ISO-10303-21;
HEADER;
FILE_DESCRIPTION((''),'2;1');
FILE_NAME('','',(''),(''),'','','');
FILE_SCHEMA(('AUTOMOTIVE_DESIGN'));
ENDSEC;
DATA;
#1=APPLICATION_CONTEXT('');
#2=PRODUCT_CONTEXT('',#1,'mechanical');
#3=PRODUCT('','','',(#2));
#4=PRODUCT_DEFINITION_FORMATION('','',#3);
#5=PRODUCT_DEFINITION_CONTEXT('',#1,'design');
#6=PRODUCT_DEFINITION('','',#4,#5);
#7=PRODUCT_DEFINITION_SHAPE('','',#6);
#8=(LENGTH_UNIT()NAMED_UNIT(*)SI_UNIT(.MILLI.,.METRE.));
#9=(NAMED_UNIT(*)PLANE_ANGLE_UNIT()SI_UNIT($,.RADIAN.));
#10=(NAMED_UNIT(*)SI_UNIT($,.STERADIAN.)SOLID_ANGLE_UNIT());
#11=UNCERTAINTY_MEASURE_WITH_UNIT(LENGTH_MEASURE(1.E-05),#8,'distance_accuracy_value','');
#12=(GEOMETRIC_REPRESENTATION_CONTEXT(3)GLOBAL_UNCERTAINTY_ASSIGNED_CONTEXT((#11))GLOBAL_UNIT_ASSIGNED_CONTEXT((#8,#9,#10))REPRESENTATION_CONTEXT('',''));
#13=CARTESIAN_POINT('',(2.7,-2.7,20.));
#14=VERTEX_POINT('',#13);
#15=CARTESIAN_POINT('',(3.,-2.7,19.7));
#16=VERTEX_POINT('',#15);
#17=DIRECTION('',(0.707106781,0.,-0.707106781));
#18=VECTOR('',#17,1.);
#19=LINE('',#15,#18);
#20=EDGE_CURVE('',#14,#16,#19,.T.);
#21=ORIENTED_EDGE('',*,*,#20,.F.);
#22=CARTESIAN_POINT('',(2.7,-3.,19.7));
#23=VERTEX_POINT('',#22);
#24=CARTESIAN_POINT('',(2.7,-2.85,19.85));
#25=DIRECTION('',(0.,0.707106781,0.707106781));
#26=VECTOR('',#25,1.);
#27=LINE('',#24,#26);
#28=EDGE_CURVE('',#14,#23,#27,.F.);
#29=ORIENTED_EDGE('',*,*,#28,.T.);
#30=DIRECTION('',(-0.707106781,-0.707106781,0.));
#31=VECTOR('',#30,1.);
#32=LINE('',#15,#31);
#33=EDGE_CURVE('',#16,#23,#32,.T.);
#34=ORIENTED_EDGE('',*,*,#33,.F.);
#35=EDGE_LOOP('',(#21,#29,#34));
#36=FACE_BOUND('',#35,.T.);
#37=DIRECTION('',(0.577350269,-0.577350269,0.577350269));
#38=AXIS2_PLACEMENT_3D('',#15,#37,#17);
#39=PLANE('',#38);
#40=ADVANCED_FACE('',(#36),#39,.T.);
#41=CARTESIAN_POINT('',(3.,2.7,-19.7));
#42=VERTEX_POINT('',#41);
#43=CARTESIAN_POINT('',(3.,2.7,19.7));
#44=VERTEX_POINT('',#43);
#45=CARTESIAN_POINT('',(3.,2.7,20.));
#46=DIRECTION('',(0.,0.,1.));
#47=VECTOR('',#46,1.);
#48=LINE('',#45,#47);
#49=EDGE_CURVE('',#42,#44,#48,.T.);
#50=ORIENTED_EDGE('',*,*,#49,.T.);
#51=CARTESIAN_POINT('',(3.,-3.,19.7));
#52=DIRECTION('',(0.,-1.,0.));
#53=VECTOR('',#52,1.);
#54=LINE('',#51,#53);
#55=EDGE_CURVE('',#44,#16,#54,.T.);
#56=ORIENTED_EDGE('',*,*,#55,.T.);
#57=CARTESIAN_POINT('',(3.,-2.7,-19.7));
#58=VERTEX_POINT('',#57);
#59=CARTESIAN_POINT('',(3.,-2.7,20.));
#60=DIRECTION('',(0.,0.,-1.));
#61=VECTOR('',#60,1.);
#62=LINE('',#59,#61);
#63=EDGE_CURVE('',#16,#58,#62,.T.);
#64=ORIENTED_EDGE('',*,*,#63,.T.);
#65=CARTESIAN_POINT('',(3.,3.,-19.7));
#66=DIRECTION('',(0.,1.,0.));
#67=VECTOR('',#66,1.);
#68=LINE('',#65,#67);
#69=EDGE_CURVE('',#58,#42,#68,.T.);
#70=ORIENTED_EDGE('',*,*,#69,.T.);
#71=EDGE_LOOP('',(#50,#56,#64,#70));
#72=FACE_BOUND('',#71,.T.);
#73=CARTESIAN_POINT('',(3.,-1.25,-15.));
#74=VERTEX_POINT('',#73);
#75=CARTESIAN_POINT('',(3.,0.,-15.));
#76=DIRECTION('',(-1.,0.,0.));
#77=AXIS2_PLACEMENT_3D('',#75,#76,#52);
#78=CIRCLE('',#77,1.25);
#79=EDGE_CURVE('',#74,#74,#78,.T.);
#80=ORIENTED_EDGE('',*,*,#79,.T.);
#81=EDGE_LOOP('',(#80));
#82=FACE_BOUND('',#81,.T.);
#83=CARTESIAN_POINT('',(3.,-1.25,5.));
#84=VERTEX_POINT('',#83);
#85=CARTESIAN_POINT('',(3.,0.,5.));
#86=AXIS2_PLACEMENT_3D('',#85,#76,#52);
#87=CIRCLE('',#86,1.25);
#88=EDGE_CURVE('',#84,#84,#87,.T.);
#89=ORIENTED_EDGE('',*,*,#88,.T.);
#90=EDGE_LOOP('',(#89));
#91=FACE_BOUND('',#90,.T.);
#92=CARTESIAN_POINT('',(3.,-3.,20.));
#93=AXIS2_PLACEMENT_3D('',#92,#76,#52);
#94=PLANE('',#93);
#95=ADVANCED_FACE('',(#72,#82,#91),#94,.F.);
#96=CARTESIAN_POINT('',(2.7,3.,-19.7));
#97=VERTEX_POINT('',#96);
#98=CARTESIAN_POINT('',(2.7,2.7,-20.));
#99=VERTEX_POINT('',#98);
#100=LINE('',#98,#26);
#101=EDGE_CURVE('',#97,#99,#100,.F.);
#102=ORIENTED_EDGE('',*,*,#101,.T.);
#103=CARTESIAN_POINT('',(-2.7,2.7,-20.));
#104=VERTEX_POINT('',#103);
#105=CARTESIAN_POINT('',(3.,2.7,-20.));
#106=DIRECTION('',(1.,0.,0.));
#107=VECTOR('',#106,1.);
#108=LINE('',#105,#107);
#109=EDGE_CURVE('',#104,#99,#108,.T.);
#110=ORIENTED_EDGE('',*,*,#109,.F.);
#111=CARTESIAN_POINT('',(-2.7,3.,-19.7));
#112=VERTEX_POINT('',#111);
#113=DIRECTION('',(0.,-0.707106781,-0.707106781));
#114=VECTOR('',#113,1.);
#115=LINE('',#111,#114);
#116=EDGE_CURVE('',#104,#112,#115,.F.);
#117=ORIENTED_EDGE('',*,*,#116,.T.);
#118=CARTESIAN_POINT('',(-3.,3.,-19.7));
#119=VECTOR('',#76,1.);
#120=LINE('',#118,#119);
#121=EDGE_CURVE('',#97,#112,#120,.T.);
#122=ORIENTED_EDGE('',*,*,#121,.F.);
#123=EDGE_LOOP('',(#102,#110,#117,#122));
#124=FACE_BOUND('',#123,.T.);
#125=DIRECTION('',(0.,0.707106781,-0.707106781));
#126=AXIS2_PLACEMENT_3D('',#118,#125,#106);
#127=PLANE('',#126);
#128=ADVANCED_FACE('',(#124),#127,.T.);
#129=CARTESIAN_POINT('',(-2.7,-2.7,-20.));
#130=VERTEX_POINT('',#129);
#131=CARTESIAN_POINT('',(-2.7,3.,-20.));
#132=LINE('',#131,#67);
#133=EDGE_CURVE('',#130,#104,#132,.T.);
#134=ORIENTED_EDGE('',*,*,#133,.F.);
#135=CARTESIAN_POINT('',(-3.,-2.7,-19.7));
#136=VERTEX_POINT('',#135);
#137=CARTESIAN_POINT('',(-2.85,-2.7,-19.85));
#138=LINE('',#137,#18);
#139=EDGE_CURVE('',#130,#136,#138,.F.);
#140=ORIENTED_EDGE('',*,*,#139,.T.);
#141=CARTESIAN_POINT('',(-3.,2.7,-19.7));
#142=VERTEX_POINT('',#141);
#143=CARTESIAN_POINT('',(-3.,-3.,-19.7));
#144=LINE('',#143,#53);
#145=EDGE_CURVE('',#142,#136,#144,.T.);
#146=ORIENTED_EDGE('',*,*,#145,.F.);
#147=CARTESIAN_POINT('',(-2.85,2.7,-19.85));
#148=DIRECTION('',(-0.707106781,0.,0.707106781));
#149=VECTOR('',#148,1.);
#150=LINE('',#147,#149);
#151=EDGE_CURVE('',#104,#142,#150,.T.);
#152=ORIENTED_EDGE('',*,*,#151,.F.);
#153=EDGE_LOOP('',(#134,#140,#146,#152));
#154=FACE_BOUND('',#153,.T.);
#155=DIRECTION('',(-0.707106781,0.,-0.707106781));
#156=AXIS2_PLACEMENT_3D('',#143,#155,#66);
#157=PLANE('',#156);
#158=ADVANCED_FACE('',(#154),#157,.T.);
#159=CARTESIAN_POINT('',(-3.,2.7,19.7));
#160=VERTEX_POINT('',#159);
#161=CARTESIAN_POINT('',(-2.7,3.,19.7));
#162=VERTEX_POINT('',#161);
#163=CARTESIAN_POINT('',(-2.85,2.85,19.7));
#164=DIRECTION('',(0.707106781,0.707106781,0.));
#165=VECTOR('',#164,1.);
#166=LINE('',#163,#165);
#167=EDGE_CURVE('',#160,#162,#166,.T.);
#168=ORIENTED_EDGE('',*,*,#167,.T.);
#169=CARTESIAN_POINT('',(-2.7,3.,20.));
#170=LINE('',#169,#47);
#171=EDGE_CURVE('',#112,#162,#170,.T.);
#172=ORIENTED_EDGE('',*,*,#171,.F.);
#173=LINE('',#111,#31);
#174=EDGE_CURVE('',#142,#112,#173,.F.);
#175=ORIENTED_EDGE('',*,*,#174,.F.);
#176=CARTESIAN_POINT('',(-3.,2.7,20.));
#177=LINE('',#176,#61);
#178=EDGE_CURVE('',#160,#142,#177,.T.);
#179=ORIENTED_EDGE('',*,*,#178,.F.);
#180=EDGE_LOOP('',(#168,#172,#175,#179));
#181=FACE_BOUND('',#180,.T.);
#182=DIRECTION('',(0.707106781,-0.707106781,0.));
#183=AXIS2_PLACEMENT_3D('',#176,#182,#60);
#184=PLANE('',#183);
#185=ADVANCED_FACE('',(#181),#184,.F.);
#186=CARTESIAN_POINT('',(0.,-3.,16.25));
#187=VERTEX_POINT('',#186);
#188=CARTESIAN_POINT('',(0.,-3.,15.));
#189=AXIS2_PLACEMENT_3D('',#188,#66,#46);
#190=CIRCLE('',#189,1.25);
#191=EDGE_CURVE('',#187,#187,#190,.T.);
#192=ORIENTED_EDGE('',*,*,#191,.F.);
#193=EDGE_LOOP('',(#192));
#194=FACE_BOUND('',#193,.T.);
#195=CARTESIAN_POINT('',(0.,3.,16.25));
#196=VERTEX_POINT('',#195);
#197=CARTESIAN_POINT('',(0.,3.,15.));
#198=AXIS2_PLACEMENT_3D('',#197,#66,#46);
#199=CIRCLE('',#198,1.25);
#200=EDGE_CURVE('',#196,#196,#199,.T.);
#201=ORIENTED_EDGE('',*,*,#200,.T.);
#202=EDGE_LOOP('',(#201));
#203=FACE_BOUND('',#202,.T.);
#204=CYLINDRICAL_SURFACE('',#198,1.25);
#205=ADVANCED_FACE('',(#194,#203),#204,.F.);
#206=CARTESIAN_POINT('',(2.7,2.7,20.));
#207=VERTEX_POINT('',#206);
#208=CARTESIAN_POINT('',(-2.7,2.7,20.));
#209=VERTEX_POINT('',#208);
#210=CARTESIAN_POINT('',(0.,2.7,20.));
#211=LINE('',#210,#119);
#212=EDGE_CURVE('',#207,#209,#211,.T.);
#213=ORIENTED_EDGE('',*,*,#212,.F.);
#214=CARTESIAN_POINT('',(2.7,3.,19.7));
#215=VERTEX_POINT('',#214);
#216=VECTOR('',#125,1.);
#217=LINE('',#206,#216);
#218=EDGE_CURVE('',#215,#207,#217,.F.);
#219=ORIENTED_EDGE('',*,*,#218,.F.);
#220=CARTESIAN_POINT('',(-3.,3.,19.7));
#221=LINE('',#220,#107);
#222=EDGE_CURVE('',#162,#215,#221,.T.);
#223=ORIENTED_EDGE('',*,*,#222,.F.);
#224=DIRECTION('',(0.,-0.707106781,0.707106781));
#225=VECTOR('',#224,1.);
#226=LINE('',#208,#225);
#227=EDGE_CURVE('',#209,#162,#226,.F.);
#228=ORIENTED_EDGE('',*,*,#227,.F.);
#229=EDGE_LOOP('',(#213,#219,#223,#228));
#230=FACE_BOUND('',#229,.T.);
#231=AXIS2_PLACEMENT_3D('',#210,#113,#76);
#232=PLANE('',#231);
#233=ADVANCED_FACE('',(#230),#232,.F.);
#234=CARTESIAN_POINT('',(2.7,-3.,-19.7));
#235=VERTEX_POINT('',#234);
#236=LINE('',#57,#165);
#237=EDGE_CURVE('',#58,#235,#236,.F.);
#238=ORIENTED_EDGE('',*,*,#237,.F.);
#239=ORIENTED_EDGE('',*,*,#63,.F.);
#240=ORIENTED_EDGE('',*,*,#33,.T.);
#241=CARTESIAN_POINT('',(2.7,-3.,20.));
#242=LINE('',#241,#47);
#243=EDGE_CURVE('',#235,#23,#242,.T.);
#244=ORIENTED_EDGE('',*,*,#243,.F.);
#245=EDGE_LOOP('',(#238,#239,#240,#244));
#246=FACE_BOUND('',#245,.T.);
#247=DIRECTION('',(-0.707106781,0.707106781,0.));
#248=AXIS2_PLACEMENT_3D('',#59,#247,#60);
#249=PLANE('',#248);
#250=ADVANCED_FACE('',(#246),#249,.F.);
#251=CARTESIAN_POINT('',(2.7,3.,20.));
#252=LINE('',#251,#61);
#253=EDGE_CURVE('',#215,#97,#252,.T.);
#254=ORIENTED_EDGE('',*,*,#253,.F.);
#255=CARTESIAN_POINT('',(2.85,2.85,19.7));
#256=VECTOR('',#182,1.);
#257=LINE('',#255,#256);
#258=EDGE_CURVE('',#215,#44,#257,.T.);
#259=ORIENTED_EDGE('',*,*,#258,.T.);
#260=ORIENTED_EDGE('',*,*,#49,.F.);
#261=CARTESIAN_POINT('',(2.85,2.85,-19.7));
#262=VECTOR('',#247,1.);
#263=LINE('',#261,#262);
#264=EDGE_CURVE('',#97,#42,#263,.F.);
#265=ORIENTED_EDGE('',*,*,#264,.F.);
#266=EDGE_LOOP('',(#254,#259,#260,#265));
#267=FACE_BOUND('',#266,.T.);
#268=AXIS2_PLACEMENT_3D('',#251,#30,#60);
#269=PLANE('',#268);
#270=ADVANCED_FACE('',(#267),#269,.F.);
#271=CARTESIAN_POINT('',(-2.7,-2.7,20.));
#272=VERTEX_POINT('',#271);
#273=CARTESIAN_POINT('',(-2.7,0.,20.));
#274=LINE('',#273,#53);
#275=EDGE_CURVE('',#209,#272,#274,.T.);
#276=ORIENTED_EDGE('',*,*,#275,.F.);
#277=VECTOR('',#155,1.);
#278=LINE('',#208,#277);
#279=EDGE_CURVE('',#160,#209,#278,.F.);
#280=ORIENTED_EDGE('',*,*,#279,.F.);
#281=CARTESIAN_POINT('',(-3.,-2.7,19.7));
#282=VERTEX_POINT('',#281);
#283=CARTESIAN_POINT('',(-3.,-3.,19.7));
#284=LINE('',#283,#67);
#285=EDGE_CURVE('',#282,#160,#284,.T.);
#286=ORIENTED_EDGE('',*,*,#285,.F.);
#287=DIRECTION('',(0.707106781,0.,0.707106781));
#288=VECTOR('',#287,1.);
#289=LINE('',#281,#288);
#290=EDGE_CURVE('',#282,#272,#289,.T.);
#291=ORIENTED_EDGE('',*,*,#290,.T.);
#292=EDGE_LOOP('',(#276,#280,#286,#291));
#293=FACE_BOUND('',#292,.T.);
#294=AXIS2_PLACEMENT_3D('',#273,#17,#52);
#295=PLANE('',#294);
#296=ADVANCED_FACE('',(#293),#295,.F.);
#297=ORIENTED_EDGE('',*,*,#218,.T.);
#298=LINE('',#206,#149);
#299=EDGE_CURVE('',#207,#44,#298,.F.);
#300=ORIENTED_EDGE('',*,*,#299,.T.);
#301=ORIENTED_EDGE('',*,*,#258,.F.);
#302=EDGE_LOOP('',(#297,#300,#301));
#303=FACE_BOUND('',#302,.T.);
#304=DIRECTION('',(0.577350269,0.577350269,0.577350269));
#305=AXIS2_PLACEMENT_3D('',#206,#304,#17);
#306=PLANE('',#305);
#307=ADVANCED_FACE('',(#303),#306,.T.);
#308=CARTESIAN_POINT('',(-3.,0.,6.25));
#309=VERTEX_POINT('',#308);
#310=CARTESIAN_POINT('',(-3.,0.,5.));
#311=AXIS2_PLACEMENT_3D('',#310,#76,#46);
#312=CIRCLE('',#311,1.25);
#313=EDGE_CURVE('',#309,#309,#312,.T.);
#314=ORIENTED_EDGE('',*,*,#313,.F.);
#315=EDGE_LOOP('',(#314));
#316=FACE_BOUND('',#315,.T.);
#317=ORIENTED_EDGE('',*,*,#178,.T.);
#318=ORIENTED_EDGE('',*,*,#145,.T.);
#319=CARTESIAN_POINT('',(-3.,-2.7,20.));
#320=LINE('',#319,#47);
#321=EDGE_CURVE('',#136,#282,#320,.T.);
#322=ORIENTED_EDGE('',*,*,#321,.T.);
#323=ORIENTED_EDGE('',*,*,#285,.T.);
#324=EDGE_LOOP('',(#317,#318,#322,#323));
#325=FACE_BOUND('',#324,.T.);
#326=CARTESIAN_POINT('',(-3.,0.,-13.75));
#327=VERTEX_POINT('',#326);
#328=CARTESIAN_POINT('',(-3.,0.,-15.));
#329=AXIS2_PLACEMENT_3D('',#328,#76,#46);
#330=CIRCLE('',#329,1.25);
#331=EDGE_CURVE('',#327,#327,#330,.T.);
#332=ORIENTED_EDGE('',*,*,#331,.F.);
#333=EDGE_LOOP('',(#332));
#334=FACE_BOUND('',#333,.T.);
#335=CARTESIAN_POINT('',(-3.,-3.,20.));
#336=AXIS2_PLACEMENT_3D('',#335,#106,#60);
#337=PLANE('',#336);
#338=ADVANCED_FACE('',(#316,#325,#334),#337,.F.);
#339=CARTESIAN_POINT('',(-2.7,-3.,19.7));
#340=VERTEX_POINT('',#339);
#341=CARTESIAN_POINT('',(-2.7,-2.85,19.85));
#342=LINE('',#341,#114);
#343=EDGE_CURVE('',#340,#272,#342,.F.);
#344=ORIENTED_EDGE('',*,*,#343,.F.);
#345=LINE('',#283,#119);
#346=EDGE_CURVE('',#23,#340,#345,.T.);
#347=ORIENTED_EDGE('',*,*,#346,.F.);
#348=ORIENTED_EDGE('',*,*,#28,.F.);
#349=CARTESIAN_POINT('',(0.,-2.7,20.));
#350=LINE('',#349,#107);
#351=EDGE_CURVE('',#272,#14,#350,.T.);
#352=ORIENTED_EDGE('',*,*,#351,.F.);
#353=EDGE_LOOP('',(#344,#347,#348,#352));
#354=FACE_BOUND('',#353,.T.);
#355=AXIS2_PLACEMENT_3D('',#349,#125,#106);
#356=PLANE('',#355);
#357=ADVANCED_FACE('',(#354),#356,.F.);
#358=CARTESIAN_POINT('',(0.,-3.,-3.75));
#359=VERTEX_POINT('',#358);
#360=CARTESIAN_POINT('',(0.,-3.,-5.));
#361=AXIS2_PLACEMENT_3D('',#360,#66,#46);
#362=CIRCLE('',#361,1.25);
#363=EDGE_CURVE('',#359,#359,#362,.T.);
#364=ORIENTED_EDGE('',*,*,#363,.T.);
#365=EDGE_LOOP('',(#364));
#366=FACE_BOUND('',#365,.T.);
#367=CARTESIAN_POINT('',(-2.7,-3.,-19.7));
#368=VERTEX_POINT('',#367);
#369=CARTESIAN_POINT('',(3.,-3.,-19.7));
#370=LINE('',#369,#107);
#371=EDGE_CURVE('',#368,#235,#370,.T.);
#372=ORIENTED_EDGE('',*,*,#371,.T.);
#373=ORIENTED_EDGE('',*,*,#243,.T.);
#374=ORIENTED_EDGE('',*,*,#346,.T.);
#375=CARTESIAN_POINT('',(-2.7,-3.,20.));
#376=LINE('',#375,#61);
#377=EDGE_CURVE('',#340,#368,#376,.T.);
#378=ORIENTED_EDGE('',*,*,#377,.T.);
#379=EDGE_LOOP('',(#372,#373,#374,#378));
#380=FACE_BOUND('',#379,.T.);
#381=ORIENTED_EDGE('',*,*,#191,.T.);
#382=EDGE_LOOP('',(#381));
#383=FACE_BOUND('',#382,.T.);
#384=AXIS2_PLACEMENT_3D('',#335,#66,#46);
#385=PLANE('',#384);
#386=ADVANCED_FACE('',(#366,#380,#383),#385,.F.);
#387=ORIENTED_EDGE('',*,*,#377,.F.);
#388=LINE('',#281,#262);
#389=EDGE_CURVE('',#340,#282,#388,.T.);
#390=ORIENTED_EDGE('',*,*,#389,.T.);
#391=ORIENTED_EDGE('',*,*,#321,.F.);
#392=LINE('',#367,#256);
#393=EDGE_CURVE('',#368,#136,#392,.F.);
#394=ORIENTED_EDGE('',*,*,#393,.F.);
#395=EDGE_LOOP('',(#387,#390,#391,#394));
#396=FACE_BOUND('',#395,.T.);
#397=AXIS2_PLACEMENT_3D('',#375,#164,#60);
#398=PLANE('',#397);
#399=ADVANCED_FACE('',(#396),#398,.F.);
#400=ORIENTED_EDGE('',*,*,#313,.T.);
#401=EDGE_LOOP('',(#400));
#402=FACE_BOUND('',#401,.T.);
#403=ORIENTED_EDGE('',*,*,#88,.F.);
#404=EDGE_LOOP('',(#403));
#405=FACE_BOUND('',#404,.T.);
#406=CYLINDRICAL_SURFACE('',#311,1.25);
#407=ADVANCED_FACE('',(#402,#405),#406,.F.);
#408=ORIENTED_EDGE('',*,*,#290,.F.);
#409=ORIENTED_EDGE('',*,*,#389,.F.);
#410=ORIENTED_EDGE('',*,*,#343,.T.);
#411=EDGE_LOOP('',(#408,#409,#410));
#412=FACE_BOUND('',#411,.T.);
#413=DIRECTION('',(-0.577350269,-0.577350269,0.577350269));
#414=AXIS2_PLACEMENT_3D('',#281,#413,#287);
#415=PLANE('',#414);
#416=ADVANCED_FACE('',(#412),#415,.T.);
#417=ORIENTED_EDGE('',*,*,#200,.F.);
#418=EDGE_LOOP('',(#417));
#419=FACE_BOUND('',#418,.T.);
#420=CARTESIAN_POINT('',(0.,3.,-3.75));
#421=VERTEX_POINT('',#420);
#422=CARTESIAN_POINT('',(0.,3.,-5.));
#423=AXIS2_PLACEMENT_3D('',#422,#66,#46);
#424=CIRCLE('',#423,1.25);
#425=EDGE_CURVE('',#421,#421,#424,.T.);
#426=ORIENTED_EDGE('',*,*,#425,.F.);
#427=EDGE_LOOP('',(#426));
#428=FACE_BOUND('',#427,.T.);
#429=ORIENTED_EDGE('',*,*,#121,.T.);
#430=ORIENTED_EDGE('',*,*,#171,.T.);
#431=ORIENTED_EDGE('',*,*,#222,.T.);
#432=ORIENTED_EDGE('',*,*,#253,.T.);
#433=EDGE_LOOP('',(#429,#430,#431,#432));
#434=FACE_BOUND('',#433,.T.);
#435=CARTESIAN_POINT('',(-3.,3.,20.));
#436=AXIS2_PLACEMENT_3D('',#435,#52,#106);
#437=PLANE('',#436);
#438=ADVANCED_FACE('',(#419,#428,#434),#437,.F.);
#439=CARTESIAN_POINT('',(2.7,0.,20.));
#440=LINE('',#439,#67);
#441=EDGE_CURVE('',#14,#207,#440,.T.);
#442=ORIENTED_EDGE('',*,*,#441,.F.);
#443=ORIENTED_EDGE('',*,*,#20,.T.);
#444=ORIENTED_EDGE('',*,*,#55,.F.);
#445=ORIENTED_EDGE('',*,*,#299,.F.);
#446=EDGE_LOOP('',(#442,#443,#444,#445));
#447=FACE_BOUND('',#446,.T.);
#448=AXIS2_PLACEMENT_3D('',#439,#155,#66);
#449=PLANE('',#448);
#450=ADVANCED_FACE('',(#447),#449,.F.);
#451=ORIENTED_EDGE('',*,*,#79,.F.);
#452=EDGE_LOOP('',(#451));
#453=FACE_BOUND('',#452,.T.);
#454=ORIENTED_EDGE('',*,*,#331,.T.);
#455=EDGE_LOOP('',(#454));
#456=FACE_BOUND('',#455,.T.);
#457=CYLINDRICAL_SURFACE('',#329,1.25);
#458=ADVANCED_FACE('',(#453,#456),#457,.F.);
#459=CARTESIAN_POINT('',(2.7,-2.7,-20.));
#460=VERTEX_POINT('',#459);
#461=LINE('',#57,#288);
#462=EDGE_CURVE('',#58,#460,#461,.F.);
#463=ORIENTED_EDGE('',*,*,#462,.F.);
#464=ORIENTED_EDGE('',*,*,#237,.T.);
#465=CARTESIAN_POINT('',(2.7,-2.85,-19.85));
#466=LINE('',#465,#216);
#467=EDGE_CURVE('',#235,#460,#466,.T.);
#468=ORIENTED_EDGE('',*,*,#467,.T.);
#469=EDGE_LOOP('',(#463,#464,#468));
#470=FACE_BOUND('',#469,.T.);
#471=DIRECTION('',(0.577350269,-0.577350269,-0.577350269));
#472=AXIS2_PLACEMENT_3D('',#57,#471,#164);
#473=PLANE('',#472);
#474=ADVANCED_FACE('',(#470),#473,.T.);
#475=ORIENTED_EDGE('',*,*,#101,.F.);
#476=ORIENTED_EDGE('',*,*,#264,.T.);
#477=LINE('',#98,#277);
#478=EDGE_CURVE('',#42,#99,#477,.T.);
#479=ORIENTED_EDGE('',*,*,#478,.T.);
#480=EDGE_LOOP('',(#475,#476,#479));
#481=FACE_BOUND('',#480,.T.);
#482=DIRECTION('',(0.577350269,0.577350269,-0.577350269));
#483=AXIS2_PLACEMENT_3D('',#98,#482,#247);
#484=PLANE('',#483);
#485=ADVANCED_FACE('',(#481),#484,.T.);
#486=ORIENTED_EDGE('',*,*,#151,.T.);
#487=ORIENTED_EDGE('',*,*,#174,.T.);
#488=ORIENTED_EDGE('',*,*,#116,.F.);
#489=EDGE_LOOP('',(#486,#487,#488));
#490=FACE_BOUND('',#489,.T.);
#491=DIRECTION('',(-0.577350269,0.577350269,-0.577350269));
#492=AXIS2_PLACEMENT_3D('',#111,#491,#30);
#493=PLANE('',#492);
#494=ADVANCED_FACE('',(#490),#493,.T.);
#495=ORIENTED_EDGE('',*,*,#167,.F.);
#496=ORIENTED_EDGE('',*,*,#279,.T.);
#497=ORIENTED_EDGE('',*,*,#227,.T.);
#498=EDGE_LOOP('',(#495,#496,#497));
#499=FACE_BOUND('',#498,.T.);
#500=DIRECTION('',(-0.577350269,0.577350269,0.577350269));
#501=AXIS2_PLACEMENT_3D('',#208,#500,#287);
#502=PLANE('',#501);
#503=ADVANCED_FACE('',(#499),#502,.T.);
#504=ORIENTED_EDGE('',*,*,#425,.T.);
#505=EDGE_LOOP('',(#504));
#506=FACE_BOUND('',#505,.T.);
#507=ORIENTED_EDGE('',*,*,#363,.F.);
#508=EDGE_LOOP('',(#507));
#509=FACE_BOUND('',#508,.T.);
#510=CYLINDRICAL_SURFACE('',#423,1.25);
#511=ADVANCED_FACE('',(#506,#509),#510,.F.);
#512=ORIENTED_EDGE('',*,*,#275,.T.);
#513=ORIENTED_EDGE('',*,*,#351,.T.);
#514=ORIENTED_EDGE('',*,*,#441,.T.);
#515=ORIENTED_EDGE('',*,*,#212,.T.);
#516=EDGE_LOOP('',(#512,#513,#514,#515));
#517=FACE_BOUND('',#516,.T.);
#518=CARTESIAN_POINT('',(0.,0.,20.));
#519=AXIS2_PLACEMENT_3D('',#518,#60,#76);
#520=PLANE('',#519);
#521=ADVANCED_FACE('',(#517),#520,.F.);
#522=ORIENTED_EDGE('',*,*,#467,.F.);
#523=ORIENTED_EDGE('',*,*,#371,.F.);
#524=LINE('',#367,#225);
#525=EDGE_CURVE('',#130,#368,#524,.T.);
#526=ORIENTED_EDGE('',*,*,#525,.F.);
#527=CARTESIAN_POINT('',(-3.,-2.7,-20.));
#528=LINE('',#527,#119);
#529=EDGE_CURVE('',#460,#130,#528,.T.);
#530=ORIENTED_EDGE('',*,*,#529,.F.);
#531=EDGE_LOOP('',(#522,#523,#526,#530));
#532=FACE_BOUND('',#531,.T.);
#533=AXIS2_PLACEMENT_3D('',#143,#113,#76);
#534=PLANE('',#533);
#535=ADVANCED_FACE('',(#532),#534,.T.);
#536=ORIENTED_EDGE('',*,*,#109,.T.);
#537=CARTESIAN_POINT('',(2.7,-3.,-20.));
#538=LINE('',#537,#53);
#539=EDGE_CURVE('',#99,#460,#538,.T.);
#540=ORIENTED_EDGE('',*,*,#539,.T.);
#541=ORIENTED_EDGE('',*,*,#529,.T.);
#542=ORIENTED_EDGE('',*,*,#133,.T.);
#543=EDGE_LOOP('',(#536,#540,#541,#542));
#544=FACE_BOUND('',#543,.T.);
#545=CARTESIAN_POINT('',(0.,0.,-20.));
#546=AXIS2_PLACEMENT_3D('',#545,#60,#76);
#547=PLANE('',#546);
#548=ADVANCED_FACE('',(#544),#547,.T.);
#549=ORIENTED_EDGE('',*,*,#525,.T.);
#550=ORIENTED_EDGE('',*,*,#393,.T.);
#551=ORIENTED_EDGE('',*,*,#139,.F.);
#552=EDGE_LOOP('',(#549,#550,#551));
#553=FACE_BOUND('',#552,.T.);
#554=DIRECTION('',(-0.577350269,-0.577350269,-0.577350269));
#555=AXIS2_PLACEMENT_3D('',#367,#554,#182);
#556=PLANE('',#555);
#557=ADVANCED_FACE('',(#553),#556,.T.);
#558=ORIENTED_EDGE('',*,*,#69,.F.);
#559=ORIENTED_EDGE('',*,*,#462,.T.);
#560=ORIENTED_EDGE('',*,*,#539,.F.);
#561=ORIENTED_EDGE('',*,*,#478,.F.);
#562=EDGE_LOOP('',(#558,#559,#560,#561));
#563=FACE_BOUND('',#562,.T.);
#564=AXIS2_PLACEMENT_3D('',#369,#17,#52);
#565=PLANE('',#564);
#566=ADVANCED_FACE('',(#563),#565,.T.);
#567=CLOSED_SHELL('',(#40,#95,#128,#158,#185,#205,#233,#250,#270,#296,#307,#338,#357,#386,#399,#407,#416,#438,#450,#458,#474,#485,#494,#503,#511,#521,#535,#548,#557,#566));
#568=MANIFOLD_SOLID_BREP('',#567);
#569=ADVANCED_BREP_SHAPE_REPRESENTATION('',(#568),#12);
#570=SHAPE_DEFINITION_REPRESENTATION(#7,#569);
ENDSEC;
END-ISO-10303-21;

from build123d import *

# Parameters (mm, degrees)
SKETCH_1_W      = 6
SKETCH_1_H      = 6
EXTRUDE_1_DEPTH = 20
HOLE_WIZARD_1_D = 2.5
HOLE_WIZARD_2_D = 2.5
CHAMFER_1_SIZE  = 0.3


with BuildPart() as part:
    # 草图1 → 凸台-拉伸1 (new, symmetric)
    with BuildSketch(Plane.XY):
        Rectangle(SKETCH_1_W, SKETCH_1_H)
    extrude(amount=EXTRUDE_1_DEPTH, both=True)

    # Hole Wizard 1 (through all)
    with Locations(Plane.ZY.offset(3)):
        with Locations((-15, 0), (5, 0)):
            Hole(HOLE_WIZARD_1_D / 2)

    # Hole Wizard 2 (through all)
    with Locations(Plane(origin=(0, 3, 0), x_dir=(1, 0, 0), z_dir=(0, 1, 0))):
        with Locations((0, 5), (0, -15)):
            Hole(HOLE_WIZARD_2_D / 2)

    # 倒角1
    chamfer_1_edges = [part.edges().sort_by_distance(p)[0] for p in [
        (-3, 0, 20),
        (0, -3, 20),
        (3, 0, 20),
        (0, -3, -20),
        (-3, 0, -20),
        (0, 3, -20),
        (3, 0, -20),
        (3, -3, 0),
        (-3, -3, 0),
        (-3, 3, 0),
        (3, 3, 0),
        (0, 3, 20),
    ]]
    chamfer(chamfer_1_edges, length=CHAMFER_1_SIZE)


solid = part.part
